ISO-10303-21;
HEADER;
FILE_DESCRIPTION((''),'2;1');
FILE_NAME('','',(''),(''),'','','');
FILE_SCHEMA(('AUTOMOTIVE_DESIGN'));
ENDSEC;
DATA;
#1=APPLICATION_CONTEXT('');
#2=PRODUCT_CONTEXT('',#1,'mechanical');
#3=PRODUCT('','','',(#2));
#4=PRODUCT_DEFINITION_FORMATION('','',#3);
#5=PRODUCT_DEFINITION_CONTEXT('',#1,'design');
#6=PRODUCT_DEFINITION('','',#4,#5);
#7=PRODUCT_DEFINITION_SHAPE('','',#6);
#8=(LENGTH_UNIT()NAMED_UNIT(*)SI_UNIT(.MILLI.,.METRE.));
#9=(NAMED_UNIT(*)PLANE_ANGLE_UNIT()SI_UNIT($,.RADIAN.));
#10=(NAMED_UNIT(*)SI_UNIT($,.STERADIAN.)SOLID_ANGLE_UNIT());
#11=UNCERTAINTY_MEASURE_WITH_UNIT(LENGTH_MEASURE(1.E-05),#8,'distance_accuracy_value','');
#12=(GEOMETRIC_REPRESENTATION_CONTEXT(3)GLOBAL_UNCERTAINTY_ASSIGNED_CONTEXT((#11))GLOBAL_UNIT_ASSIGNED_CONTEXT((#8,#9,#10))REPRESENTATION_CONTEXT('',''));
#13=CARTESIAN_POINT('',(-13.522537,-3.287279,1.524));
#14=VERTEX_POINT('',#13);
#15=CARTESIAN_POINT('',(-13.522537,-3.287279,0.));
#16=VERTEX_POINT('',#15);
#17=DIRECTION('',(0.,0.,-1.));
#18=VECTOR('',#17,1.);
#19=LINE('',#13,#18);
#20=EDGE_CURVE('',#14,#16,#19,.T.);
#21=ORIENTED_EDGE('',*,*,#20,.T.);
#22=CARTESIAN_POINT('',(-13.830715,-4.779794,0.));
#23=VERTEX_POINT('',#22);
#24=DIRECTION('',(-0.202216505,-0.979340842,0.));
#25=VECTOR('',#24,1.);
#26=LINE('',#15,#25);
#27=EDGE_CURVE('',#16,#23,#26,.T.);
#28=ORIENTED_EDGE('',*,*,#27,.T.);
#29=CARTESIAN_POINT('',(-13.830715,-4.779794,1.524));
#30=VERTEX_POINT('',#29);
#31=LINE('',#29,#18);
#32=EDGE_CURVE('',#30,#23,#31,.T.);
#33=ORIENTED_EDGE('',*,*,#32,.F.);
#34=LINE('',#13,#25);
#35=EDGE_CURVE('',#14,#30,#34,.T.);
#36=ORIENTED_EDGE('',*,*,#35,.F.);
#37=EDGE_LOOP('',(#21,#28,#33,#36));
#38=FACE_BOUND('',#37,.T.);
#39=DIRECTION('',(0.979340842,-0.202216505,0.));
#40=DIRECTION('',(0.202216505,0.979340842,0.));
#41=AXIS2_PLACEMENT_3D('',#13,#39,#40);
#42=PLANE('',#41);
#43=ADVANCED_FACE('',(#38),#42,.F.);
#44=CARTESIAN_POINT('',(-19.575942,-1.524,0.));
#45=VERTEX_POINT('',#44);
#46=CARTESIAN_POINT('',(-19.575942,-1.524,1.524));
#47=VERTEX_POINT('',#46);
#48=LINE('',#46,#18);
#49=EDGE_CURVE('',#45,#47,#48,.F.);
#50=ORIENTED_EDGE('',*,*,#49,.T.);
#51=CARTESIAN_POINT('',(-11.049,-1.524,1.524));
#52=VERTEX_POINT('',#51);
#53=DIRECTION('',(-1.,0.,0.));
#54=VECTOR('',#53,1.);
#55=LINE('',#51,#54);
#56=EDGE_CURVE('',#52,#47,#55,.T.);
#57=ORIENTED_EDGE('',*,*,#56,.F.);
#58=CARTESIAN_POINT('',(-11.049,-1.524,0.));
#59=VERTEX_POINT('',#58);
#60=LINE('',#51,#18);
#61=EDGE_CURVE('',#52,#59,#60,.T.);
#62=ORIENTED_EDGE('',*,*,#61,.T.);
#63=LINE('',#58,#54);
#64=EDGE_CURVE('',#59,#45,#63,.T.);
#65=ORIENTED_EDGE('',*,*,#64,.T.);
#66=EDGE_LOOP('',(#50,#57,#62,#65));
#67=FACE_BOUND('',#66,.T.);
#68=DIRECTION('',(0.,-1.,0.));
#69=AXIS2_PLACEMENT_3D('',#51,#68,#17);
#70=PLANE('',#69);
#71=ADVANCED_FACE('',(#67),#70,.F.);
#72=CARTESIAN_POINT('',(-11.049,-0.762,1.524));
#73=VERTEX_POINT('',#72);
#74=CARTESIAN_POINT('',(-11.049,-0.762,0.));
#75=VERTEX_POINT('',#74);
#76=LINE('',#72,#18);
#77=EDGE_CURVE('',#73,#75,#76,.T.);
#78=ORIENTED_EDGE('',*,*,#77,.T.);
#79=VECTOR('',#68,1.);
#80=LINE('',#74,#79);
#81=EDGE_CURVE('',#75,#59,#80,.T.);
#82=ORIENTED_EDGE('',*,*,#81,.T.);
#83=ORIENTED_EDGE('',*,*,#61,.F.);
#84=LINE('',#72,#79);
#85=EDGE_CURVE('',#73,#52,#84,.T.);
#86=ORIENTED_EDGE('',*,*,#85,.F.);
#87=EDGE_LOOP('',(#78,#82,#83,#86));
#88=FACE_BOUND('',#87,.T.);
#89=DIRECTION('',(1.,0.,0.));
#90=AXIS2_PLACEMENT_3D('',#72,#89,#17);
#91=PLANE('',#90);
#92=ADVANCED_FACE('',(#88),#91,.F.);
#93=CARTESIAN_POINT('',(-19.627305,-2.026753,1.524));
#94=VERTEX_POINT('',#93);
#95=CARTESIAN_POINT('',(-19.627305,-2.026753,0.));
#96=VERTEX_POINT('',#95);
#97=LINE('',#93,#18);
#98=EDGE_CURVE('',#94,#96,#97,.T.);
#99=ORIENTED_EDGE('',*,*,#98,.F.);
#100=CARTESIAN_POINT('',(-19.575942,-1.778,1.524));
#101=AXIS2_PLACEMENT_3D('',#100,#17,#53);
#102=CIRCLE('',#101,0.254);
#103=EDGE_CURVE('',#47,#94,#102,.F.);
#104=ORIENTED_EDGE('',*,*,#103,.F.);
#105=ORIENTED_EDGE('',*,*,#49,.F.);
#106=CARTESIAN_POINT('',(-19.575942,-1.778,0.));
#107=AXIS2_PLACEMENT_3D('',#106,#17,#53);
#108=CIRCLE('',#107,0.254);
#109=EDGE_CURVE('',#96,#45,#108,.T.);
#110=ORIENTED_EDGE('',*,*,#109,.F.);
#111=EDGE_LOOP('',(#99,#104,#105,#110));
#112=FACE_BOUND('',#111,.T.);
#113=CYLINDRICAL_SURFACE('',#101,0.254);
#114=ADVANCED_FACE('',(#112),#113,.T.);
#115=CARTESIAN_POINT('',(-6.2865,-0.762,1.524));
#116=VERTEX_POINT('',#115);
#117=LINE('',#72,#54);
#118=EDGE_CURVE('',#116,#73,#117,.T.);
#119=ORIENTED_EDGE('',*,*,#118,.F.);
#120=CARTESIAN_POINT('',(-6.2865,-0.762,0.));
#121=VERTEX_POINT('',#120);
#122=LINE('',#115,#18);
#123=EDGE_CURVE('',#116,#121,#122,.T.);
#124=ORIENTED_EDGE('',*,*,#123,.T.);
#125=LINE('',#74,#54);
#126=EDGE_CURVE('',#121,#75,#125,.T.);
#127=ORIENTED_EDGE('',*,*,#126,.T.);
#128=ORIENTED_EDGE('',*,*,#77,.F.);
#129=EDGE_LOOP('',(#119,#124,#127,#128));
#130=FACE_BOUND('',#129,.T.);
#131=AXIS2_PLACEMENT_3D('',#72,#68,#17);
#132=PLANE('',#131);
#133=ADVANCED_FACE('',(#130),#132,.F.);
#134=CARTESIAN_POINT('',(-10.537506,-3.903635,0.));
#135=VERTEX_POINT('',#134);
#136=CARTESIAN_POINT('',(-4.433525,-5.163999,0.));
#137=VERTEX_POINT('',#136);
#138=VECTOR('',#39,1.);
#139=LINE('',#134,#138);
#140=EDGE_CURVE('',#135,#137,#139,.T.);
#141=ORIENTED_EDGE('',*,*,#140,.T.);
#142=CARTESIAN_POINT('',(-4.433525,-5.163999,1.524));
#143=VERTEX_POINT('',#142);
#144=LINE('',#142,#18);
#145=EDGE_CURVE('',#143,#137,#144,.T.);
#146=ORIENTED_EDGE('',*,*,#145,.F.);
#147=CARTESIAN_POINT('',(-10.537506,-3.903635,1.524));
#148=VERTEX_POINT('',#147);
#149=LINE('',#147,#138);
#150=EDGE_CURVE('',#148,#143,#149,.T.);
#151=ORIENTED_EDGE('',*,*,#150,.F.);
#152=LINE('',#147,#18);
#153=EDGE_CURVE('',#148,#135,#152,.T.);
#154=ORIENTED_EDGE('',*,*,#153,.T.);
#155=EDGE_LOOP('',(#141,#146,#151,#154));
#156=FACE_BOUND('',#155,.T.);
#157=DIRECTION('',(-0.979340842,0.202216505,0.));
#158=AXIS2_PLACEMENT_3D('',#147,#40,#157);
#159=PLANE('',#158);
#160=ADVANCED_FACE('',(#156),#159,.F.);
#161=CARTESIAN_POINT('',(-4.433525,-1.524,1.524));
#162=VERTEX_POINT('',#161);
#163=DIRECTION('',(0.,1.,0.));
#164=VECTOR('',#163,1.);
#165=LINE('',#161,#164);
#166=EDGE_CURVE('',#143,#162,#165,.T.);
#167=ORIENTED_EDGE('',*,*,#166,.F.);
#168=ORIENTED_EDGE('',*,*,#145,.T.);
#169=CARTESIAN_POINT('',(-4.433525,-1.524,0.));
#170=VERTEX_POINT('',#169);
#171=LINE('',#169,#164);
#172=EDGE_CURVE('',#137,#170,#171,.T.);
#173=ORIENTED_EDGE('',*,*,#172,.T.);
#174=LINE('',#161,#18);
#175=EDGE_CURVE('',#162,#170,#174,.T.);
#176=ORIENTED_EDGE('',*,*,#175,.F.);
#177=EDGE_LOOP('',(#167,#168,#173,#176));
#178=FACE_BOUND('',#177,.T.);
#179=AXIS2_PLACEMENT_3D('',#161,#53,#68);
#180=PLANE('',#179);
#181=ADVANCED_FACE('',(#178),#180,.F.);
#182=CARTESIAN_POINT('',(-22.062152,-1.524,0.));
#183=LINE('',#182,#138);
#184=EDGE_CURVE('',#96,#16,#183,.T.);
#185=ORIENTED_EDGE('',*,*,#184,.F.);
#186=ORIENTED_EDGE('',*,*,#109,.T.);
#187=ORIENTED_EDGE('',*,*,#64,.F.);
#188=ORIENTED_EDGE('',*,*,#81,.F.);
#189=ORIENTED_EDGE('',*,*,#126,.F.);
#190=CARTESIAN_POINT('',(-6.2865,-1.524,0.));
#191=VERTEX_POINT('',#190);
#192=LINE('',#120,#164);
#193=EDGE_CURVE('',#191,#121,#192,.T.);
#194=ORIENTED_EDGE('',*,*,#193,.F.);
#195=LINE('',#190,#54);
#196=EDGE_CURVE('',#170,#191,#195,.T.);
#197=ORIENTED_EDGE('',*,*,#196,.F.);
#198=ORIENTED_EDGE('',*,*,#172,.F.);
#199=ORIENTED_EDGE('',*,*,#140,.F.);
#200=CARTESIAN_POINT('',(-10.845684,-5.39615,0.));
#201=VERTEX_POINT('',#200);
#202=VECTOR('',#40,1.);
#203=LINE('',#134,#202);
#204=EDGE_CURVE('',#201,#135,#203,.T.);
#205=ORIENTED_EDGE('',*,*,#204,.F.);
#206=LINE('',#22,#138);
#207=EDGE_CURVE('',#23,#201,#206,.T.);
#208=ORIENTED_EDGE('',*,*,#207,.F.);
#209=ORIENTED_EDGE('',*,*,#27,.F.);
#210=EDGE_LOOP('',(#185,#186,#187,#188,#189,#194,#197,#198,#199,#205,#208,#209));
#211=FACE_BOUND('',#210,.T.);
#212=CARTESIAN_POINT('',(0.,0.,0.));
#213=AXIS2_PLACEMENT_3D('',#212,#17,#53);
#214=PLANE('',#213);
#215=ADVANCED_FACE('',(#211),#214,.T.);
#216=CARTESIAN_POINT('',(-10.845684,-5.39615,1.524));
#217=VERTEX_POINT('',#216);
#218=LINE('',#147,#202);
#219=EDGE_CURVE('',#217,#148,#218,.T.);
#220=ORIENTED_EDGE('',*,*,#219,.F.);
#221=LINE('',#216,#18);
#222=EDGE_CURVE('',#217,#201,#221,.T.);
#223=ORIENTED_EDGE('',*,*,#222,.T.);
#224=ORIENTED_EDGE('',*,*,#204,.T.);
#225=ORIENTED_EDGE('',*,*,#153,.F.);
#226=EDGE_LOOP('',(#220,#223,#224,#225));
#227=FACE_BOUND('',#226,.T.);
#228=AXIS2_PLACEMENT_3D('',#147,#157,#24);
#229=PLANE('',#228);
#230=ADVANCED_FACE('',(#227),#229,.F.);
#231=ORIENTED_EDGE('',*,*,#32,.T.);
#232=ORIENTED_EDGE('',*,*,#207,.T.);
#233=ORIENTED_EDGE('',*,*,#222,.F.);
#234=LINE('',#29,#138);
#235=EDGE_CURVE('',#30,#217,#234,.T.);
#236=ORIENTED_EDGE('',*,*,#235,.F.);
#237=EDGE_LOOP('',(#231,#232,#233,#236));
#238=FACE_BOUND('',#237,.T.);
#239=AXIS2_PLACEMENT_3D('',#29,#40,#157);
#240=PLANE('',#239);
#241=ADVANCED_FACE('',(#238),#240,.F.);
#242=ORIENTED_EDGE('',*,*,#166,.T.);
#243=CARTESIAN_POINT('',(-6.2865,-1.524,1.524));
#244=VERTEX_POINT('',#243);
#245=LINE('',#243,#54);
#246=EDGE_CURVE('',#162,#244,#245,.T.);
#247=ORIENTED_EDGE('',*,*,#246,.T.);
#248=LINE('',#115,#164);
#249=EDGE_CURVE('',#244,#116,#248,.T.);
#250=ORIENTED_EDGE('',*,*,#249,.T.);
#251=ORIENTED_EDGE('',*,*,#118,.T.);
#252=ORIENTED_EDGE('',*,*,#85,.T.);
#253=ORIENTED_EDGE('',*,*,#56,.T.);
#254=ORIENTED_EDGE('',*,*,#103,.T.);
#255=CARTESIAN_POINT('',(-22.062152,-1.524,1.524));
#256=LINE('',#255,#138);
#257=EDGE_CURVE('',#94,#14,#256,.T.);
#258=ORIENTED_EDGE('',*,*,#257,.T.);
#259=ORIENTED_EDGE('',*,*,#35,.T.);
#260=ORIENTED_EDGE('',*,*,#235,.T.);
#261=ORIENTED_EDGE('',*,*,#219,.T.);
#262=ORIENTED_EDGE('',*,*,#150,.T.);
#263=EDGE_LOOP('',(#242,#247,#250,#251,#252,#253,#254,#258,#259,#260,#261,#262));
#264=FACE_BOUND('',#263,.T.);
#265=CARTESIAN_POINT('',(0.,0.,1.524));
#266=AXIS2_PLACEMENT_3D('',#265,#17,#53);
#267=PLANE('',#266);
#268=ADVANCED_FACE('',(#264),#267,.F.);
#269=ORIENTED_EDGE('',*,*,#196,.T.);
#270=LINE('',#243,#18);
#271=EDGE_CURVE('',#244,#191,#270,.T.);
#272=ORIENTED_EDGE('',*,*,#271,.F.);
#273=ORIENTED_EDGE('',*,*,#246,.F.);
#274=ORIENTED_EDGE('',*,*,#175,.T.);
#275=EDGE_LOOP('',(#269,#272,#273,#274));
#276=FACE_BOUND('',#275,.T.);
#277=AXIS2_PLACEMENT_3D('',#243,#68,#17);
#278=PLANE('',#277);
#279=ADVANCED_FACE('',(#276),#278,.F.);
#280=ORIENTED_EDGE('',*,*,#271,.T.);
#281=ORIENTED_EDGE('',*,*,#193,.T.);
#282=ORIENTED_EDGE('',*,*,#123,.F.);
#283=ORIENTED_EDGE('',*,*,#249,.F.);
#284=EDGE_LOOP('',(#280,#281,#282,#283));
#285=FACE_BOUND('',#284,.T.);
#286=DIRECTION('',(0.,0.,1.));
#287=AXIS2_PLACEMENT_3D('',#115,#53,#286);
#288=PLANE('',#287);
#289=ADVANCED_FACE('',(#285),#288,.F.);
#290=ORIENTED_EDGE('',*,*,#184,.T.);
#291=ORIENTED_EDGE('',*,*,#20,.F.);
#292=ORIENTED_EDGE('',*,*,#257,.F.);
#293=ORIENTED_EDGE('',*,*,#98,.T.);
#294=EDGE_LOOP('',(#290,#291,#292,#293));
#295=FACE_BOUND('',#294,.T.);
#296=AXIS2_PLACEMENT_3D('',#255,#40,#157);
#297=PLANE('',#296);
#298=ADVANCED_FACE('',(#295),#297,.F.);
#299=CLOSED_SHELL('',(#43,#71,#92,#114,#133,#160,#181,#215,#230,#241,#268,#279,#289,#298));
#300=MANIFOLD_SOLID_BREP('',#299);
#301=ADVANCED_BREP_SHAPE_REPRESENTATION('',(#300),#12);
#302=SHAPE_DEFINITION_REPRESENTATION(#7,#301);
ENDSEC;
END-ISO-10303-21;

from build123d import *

# Parameters (mm, degrees)
BOSS_EXTRUDE1_DEPTH = 1.524
FILLET1_R           = 0.254


with BuildPart() as part:
    # Sketch1 → Boss-Extrude1 (new body)
    with BuildSketch(Plane.XY):
        Polygon((-6.2865, -0.762), (-6.2865, -1.524), (-4.433524529, -1.524), (-4.433524529, -5.163998713), (-10.537505967, -3.903634867), (-10.84568392, -5.39615031), (-13.830714807, -4.779794404), (-13.522536854, -3.287278961), (-22.062151888, -1.524), (-11.049, -1.524), (-11.049, -0.762), align=None)
    extrude(amount=BOSS_EXTRUDE1_DEPTH)

    # Fillet1
    fillet1_edges = [part.edges().sort_by_distance(p)[0] for p in [
        (-22.062151888, -1.524, 0.762),
    ]]
    fillet(fillet1_edges, radius=FILLET1_R)


solid = part.part
